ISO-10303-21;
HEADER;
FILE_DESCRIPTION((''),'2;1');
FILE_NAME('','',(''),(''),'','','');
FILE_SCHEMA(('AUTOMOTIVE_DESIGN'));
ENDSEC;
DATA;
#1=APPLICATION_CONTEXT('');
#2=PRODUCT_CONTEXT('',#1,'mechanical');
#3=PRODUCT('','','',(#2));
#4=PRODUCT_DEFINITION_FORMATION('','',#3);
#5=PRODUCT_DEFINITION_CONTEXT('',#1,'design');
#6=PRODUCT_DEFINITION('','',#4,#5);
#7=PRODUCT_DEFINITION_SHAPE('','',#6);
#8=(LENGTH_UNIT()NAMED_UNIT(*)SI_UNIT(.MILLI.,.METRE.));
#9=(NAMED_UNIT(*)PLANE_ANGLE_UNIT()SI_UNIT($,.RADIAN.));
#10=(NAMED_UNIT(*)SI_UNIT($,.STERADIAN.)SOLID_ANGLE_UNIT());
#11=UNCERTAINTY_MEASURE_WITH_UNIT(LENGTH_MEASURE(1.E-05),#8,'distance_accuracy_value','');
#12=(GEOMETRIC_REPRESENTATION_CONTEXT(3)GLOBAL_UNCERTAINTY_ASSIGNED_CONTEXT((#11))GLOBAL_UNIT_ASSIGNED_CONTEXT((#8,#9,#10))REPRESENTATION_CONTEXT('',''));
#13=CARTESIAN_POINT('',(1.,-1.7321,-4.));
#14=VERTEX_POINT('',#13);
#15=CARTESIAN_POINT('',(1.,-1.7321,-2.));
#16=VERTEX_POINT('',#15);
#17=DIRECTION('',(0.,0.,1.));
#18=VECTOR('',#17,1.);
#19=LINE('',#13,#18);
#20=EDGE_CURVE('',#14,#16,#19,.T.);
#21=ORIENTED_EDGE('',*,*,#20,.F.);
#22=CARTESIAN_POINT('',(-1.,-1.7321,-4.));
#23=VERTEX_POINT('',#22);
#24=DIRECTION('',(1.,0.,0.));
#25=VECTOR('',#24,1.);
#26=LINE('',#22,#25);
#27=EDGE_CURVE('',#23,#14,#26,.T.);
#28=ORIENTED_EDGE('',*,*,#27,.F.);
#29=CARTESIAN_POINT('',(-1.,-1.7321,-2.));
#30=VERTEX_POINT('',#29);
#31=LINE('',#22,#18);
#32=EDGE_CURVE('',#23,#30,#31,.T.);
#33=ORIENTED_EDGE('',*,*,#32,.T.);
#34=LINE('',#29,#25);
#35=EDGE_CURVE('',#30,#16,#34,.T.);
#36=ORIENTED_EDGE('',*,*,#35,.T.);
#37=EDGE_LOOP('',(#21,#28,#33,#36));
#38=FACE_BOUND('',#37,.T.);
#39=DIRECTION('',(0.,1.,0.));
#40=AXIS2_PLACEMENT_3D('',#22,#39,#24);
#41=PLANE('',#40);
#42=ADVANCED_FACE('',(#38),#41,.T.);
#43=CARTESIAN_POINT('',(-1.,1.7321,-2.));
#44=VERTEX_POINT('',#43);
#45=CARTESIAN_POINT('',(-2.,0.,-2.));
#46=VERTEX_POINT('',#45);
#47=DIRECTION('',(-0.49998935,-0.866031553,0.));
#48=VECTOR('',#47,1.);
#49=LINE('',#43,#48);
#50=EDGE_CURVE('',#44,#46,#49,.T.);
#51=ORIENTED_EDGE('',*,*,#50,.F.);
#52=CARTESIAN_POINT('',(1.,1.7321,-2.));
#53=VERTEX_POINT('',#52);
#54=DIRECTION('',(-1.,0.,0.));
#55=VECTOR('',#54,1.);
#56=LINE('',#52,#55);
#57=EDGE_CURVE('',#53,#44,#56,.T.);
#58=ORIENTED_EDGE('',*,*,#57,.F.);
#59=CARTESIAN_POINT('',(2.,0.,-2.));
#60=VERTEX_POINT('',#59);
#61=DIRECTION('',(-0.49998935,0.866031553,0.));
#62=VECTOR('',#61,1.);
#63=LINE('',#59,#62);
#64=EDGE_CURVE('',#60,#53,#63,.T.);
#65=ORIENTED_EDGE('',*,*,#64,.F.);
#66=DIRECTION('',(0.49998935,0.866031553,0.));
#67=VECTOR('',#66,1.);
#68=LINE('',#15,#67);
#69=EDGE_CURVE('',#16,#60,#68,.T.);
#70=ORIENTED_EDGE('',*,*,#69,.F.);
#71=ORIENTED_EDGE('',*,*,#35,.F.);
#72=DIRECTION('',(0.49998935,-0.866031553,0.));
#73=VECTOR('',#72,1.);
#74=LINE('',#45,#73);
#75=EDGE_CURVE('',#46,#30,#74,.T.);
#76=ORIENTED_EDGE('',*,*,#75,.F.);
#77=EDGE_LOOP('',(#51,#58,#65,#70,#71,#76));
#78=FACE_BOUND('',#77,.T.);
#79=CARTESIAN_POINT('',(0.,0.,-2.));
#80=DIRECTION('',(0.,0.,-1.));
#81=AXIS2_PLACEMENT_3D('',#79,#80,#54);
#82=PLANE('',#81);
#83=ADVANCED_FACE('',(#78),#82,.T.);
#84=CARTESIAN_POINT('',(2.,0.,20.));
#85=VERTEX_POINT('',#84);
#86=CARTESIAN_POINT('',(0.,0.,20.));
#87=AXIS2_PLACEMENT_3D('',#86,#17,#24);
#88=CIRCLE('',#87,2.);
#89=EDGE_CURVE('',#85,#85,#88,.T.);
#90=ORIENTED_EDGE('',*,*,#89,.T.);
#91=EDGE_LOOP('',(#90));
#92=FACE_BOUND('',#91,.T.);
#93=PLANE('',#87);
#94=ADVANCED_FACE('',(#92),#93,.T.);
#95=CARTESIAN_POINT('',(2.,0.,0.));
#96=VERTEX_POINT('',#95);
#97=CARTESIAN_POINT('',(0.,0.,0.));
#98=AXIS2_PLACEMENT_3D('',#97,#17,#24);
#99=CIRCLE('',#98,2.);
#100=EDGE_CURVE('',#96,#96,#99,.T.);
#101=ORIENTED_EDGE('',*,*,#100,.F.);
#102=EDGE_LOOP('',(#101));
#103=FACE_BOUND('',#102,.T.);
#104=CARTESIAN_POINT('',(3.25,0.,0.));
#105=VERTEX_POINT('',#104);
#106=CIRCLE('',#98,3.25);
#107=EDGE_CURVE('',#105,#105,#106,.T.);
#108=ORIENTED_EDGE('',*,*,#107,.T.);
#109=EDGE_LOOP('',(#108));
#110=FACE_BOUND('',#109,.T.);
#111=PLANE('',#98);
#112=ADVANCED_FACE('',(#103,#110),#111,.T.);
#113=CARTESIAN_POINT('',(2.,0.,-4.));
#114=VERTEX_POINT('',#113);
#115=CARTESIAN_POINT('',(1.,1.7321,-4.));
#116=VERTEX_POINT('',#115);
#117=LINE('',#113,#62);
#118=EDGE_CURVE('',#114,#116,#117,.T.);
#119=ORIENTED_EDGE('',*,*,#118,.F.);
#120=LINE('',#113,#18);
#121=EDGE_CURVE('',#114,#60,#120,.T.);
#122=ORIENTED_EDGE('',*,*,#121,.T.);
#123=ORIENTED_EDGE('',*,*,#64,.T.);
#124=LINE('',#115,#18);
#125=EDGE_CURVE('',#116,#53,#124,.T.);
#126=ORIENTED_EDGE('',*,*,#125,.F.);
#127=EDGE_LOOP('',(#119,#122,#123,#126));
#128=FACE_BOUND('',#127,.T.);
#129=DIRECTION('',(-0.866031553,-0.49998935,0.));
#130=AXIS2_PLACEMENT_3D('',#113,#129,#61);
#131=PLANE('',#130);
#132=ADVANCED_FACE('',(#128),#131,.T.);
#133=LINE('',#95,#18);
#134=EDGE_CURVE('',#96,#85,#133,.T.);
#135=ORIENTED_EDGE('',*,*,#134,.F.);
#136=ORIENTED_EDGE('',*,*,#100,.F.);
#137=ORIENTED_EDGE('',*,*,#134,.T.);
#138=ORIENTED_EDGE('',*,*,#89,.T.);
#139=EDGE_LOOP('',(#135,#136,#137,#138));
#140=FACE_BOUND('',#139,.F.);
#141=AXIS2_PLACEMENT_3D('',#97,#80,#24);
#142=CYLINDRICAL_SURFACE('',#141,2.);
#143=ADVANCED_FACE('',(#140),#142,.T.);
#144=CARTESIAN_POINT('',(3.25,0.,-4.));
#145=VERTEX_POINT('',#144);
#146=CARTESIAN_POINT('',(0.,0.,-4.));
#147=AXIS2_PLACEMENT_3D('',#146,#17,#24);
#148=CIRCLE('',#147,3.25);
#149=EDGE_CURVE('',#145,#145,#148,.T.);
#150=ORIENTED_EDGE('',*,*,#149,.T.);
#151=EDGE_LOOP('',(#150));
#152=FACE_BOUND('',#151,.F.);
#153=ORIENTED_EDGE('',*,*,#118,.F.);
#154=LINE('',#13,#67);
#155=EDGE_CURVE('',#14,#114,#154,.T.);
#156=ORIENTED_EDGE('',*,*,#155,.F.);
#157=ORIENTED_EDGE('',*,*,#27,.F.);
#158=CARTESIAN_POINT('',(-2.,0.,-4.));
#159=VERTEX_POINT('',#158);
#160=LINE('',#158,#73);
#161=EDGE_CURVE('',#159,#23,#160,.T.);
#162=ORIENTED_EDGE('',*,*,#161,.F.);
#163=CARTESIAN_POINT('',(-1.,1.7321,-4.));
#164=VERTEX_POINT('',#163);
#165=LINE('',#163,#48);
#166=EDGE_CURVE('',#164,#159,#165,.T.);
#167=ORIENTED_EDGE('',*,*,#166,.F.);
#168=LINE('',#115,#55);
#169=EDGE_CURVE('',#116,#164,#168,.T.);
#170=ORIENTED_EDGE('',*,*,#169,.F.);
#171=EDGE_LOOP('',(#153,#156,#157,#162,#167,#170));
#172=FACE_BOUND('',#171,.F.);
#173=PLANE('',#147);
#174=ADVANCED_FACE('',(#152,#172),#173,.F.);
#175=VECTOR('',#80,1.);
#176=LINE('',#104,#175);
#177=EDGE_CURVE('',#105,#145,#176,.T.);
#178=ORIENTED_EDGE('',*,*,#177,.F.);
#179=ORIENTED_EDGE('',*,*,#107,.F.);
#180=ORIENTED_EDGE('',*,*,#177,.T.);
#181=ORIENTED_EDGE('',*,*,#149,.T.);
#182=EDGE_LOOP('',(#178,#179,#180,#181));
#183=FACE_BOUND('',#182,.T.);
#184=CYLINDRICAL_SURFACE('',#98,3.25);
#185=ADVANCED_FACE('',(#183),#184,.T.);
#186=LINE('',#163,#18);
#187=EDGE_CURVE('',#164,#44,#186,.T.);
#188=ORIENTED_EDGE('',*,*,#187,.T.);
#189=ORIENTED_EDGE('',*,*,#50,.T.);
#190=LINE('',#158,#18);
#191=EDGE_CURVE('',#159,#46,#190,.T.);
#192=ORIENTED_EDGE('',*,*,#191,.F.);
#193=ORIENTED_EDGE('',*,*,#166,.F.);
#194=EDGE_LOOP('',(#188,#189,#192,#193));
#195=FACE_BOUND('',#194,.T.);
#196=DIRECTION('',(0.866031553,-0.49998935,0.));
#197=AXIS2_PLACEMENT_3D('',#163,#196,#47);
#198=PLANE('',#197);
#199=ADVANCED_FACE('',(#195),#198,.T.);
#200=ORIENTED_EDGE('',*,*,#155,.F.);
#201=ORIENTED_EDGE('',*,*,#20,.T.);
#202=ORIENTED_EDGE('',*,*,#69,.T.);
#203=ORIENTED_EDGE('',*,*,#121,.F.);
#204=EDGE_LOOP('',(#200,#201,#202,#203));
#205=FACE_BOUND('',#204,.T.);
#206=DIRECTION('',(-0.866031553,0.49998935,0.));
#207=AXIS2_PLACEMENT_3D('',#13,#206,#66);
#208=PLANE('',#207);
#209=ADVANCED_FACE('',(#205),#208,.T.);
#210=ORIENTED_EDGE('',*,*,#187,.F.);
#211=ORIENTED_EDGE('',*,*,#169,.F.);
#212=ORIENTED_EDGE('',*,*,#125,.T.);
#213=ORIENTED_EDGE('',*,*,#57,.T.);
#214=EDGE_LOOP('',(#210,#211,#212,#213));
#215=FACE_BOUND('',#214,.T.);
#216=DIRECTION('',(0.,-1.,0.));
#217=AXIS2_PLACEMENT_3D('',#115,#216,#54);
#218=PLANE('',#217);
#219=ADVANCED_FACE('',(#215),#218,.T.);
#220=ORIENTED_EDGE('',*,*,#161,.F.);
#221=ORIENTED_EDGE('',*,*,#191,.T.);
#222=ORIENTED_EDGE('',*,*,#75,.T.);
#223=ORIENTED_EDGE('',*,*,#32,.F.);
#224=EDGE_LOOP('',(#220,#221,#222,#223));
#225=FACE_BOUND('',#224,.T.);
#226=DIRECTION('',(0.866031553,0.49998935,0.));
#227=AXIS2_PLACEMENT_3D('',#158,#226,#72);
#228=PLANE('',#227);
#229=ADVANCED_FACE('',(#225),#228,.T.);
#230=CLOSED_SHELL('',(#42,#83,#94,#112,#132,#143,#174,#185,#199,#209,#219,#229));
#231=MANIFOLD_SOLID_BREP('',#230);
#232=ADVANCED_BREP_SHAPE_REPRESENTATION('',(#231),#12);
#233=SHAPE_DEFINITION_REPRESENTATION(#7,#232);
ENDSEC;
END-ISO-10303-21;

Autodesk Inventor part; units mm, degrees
ref_plane "YZ Plane" through (0, 0, 0) normal (1, 0, 0) x (0, 1, 0)
ref_plane "XZ Plane" through (0, 0, 0) normal (0, 1, 0) x (-1, 0, 0)
ref_plane "XY Plane" through (0, 0, 0) normal (0, 0, 1) x (1, 0, 0)
sketch "Boceto1" plane through (0, 0, 0) normal (0, 0, 1) x (1, 0, 0)
  circle A0 centre (0, 0) radius 2
  circle A1 centre (0, 0) radius 3.25
  dimension "d0" = 4
  dimension "d1" = 6.5
extrude "Extrusión1" add sketch "Boceto1" along normal blind 20 contours A0
extrude "Extrusión2" add sketch "Boceto1" against normal blind 4 contours A0 | A1
sketch "Boceto2" plane through (0, 0, -4) normal (0, 0, -1) x (-1, 0, 0)
  line L0 (2, 0) -> (1, -1.7321)
  line L1 (1, -1.7321) -> (-1, -1.7321)
  line L2 (-1, -1.7321) -> (-2, 0)
  line L3 (-2, 0) -> (-1, 1.7321)
  line L4 (-1, 1.7321) -> (1, 1.7321)
  line L5 (1, 1.7321) -> (2, 0)
  point P0 (0, 0)
  point P1 (0, 0)
  dimension "d6" = 4
extrude "Extrusión3" cut sketch "Boceto2" against normal blind 2
thread "Rosca1" size "M4x0.7" class "6g" standard "ANSI Metric M Profile" full length
properties part number "TornilloM4X20mm" material "Acero inoxidable"
